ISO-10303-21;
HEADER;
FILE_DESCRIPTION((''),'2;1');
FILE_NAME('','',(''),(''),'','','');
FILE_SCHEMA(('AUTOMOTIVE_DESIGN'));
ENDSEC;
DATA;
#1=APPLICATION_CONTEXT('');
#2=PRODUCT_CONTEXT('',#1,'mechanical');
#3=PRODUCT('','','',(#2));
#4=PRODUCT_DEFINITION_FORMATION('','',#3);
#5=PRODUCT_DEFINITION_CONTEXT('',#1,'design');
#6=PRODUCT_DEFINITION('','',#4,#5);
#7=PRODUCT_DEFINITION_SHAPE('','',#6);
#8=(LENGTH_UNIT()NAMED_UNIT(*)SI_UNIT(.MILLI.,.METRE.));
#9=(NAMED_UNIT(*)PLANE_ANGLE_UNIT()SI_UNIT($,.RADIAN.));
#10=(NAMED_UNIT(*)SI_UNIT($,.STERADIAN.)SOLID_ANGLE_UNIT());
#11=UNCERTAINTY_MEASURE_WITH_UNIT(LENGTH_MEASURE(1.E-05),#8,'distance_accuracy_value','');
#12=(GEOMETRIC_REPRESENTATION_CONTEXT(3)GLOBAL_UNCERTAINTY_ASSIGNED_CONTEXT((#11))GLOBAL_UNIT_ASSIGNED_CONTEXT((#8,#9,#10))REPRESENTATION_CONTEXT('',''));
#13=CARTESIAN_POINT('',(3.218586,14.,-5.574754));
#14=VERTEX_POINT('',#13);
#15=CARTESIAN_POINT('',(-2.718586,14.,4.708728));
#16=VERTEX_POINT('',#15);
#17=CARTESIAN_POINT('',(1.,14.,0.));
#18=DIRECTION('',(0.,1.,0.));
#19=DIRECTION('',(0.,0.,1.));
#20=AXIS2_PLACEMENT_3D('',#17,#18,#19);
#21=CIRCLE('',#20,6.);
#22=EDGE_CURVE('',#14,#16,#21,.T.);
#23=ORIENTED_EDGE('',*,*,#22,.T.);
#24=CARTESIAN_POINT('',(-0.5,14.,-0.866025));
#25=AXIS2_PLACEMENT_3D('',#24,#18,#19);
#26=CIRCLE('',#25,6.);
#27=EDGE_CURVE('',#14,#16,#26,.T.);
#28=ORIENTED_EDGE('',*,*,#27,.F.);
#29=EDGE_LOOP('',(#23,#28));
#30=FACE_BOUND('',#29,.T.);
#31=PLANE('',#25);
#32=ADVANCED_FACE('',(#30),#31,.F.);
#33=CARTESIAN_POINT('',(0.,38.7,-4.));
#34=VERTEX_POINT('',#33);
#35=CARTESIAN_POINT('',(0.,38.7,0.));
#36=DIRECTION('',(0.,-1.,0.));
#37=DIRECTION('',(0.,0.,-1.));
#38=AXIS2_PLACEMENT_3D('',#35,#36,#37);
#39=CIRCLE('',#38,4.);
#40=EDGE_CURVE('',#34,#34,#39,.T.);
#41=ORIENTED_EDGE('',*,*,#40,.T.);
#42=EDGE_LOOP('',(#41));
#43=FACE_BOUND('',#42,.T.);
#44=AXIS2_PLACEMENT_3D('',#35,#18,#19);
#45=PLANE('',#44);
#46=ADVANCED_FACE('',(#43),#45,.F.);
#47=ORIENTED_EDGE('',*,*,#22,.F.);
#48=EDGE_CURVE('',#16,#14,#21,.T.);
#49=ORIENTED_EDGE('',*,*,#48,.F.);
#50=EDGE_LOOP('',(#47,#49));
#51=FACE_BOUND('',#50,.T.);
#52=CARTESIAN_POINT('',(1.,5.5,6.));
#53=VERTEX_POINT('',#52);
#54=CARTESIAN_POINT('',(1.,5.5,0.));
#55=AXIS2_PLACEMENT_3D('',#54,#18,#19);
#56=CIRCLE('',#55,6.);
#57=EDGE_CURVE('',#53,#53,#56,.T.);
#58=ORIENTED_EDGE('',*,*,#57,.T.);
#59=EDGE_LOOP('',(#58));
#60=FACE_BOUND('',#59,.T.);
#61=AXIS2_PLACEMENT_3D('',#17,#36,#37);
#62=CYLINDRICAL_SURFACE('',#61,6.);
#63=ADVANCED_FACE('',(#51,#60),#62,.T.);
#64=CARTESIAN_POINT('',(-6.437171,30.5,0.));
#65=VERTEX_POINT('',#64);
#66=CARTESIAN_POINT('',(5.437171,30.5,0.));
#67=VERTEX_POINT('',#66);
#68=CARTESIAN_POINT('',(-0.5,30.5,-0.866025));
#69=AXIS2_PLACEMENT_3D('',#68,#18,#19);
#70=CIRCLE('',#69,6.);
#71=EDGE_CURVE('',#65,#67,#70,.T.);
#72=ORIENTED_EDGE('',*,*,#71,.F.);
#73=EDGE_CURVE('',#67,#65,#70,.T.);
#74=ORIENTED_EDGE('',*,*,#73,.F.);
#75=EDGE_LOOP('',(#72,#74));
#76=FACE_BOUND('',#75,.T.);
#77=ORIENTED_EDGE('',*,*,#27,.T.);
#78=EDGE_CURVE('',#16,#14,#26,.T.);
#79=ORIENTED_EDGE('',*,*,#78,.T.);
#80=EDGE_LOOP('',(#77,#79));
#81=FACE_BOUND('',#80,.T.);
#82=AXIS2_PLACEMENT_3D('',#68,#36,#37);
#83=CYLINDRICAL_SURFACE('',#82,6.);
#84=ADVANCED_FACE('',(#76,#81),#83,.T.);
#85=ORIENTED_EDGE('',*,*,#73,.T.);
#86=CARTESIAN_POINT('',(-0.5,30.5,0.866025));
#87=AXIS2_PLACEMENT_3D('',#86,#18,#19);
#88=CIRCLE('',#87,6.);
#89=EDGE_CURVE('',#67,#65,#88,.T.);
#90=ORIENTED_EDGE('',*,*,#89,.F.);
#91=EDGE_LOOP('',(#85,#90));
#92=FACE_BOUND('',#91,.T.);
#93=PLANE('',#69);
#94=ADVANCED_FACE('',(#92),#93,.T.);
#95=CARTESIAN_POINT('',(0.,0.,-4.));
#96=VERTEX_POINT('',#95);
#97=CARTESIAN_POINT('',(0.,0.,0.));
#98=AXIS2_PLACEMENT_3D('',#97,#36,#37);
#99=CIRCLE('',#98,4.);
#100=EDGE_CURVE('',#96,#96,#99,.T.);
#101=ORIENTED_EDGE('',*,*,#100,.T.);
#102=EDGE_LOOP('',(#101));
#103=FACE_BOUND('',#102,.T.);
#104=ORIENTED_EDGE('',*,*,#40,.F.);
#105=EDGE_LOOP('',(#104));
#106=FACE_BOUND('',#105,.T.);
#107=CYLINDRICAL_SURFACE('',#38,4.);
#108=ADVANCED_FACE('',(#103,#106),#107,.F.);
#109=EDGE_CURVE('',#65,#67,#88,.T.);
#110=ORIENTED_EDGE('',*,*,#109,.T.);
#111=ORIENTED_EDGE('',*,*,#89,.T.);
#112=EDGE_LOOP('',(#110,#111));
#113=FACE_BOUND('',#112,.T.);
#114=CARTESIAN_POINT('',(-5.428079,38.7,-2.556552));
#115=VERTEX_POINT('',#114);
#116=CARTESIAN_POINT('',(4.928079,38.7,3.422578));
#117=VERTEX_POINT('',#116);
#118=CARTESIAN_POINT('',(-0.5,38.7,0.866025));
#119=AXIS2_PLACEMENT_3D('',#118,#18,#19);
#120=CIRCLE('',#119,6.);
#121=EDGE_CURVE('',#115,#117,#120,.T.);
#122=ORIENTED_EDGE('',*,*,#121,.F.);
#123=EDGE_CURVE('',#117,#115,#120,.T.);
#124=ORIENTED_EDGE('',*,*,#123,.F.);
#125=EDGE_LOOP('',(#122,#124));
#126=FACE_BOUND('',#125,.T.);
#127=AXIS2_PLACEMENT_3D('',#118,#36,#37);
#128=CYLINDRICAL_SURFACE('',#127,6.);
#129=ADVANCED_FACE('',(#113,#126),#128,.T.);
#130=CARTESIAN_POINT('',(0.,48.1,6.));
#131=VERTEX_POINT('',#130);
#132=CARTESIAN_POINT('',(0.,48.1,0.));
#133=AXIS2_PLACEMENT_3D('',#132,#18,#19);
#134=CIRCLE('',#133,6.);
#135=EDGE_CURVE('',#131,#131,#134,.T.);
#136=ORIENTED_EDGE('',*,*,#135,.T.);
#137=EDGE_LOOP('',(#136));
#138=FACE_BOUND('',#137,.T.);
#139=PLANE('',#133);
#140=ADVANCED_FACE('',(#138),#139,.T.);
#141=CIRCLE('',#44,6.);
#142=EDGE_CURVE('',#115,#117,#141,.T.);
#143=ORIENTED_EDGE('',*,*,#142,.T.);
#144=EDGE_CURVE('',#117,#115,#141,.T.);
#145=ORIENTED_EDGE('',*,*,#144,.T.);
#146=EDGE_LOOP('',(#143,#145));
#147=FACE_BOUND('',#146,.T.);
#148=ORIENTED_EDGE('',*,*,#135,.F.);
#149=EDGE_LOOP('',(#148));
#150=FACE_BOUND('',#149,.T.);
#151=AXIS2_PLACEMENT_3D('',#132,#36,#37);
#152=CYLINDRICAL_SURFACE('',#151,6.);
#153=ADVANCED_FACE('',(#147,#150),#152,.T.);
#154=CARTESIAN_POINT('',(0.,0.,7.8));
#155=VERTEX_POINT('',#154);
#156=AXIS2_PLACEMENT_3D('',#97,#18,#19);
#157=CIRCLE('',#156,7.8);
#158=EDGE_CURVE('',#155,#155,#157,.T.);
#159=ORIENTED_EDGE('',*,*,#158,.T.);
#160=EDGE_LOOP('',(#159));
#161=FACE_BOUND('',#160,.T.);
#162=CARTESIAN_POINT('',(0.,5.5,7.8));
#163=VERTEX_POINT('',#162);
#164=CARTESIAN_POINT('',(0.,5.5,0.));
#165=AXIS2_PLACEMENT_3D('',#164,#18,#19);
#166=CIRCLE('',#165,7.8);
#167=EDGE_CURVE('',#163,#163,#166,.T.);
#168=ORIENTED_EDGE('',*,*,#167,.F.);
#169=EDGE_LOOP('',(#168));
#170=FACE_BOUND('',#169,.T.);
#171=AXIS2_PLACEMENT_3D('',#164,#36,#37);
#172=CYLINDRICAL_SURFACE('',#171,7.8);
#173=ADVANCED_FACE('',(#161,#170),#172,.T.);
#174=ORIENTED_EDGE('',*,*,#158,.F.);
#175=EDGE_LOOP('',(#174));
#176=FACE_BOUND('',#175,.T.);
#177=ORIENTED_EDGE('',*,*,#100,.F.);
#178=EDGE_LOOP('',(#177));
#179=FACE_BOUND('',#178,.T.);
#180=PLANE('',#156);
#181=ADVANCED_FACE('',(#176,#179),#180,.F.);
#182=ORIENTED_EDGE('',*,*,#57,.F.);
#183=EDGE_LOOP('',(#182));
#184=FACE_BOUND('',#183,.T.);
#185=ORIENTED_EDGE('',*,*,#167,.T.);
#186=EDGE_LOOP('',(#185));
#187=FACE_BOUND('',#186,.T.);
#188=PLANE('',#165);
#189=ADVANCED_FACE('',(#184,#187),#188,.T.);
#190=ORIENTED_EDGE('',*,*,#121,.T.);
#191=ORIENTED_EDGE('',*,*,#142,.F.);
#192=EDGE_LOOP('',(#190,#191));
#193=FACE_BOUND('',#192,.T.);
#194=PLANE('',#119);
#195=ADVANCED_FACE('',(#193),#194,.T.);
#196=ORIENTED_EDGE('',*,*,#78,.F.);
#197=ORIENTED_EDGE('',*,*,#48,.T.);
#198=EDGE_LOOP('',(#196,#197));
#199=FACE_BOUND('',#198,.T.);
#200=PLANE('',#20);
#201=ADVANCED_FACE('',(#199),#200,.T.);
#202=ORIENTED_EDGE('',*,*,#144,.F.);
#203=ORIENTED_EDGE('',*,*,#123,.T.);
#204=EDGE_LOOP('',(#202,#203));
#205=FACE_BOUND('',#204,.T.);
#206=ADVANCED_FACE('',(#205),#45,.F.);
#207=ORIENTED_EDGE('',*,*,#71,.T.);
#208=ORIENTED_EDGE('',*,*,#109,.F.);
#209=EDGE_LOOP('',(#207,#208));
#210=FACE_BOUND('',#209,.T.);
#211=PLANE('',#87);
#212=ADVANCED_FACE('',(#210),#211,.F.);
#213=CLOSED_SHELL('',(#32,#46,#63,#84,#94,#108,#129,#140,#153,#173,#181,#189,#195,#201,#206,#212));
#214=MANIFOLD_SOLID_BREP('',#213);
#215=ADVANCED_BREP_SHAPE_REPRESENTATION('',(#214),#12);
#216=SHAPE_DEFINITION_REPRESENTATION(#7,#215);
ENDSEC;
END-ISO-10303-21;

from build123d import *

# Parameters (mm, degrees)
SKETCH1_R           = 7.8
BOSS_EXTRUDE1_DEPTH = 5.5
SKETCH2_R           = 6
BOSS_EXTRUDE2_DEPTH = 8.5
SKETCH4_R           = 6
BOSS_EXTRUDE3_DEPTH = 16.5
SKETCH7_R           = 6
BOSS_EXTRUDE4_DEPTH = 8.2
SKETCH3_R           = 4
CUT_EXTRUDE2_DEPTH  = 41.241396596
SKETCH8_R           = 6
BOSS_EXTRUDE5_DEPTH = 9.4


with BuildPart() as part:
    # Sketch1 → Boss-Extrude1 (new body)
    with BuildSketch(Plane(origin=(0, 0, 0), x_dir=(1, 0, 0), z_dir=(0, 1, 0))):
        with Locations(Location((0, 0, 0), (0, 0, 270))):
            Circle(SKETCH1_R)
    extrude(amount=BOSS_EXTRUDE1_DEPTH)

    # Sketch2 → Boss-Extrude2 (add)
    with BuildSketch(Plane(origin=(0, 5.5, 0), x_dir=(1, 0, 0), z_dir=(0, 1, 0))):
        with Locations(Location((1, 0, 0), (0, 0, 270))):
            Circle(SKETCH2_R)
    extrude(amount=BOSS_EXTRUDE2_DEPTH)

    # Sketch4 → Boss-Extrude3 (add)
    with BuildSketch(Plane(origin=(0, 14, 0), x_dir=(1, 0, 0), z_dir=(0, 1, 0))):
        with Locations(Location((-0.5, 0.866025404, 0), (0, 0, 51.701078932))):
            Circle(SKETCH4_R)
    extrude(amount=BOSS_EXTRUDE3_DEPTH)

    # Sketch7 → Boss-Extrude4 (add)
    with BuildSketch(Plane(origin=(0, 30.5, 0), x_dir=(1, 0, 0), z_dir=(0, 1, 0))):
        with Locations(Location((-0.5, -0.866025404, 0), (0, 0, 8.298921068))):
            Circle(SKETCH7_R)
    extrude(amount=BOSS_EXTRUDE4_DEPTH)

    # Sketch3 → Cut-Extrude2 (cut, through all)
    with BuildSketch(Plane.XZ):
        with Locations(Location((0, 0, 0), (0, 0, 270))):
            Circle(SKETCH3_R)
    extrude(amount=-CUT_EXTRUDE2_DEPTH, mode=Mode.SUBTRACT)

    # Sketch8 → Boss-Extrude5 (add)
    with BuildSketch(Plane(origin=(0, 38.7, 0), x_dir=(1, 0, 0), z_dir=(0, 1, 0))):
        with Locations(Location((0, 0, 0), (0, 0, 154.780191847))):
            Circle(SKETCH8_R)
    extrude(amount=BOSS_EXTRUDE5_DEPTH)


solid = part.part
